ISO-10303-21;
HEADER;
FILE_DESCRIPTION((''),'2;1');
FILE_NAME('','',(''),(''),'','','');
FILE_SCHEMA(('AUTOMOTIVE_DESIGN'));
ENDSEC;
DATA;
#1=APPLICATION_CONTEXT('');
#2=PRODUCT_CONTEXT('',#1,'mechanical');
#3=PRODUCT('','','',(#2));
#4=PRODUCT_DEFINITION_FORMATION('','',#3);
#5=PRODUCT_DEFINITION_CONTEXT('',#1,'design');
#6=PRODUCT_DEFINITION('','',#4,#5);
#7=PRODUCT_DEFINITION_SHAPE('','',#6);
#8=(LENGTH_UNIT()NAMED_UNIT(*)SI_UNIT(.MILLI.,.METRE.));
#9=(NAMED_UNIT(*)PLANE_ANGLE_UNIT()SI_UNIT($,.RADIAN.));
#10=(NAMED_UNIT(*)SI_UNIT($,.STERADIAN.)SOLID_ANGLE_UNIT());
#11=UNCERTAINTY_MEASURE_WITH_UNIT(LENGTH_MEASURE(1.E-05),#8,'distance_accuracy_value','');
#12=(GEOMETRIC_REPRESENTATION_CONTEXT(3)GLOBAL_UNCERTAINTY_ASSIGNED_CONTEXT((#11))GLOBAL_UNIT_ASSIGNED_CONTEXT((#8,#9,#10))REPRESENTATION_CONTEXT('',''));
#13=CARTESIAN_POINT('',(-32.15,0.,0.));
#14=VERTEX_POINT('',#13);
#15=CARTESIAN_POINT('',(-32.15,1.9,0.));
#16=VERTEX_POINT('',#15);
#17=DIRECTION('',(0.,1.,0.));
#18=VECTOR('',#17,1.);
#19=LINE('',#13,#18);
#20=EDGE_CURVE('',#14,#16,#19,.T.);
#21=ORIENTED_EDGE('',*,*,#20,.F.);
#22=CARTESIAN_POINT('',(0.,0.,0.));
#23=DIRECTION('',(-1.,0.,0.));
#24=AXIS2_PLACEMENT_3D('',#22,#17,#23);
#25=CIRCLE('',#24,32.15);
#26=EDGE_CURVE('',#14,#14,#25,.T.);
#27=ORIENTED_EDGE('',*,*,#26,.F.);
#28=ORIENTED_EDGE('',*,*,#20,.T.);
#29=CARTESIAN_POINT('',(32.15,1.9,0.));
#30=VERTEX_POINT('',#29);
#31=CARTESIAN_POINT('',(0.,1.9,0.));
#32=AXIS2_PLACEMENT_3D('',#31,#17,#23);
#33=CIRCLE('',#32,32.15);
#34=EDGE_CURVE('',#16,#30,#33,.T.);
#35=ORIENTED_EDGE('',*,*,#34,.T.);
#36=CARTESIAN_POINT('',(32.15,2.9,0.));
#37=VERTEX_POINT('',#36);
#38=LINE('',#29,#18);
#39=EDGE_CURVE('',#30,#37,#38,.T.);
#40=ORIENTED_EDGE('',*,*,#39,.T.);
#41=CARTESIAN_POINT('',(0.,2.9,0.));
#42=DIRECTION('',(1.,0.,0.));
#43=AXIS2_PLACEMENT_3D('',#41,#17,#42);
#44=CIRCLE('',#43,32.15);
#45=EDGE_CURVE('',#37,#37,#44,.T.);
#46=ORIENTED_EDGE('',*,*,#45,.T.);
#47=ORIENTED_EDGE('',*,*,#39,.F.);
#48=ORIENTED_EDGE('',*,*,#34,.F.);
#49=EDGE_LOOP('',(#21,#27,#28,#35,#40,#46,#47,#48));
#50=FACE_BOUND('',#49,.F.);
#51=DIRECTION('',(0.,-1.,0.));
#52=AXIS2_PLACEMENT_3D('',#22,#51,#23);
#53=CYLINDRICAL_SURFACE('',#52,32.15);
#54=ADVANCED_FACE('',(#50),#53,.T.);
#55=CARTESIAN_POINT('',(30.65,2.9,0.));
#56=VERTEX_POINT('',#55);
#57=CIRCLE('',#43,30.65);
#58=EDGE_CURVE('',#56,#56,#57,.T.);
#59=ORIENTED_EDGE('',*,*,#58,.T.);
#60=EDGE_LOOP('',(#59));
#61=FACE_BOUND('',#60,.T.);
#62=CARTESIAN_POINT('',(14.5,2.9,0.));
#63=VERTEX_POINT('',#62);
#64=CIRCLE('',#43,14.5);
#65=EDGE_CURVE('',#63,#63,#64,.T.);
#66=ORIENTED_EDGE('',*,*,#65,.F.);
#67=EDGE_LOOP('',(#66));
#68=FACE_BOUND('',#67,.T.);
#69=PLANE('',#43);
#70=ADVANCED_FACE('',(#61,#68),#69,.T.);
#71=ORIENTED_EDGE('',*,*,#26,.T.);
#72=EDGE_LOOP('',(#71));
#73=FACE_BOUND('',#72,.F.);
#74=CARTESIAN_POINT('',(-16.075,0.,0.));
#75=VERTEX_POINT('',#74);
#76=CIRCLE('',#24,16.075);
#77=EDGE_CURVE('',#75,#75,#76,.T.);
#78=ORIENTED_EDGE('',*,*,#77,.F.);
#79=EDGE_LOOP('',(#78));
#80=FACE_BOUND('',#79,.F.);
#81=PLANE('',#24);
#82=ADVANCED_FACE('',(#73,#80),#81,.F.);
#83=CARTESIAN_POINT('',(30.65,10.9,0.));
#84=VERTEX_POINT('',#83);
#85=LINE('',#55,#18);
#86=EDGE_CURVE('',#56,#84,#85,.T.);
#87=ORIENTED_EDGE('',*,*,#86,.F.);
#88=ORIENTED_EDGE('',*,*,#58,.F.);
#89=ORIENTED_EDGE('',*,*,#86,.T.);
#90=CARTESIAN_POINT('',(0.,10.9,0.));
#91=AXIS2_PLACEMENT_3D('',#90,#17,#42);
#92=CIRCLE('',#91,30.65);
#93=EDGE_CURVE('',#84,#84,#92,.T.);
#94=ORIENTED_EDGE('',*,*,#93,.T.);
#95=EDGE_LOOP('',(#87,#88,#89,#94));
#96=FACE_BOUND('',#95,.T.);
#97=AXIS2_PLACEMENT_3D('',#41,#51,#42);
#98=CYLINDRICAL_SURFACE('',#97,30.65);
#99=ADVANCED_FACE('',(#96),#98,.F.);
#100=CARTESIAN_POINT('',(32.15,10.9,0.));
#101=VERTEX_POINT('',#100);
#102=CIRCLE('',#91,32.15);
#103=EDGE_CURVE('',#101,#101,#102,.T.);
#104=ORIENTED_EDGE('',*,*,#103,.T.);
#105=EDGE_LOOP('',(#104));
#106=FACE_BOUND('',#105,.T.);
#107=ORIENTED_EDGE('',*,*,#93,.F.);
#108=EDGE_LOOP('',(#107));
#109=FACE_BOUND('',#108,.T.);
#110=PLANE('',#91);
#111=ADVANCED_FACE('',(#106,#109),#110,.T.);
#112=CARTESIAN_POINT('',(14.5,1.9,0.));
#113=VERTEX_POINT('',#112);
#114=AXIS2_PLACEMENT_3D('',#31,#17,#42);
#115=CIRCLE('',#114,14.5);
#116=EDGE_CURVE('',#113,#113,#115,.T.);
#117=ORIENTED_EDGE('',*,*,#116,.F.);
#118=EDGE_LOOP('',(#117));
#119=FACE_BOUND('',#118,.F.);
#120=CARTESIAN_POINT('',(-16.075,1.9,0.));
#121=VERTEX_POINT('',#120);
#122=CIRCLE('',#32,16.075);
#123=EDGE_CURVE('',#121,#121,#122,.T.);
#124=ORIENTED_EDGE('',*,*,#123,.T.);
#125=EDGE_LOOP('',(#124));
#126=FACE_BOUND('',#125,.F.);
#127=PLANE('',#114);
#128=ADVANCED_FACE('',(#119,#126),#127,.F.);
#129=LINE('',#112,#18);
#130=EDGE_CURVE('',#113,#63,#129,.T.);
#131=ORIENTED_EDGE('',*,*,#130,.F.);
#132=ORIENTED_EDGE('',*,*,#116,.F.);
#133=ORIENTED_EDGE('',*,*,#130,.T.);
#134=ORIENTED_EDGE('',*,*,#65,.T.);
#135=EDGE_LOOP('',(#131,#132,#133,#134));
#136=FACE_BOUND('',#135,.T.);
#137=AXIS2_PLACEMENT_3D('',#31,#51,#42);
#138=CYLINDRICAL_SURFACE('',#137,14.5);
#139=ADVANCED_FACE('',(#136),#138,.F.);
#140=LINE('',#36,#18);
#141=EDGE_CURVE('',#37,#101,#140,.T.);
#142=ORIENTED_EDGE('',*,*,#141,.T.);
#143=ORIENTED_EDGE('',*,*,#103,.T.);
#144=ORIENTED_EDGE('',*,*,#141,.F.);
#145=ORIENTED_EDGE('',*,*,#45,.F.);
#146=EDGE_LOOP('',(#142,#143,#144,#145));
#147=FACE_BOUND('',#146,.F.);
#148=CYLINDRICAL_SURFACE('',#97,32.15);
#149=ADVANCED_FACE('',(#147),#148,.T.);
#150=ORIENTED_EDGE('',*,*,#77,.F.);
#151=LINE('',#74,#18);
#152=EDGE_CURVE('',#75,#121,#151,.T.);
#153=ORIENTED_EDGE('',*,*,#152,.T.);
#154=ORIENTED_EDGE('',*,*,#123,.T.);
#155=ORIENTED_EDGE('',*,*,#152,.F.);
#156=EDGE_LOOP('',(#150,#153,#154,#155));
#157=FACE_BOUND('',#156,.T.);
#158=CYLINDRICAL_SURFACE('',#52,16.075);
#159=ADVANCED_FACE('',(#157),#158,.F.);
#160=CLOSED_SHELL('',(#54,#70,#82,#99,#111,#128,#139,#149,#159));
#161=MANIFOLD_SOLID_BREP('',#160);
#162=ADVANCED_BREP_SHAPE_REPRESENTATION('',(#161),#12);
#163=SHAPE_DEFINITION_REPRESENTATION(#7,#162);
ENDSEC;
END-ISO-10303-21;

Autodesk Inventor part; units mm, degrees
ref_plane "YZ Plane" through (0, 0, 0) normal (1, 0, 0) x (0, 1, 0)
ref_plane "XZ Plane" through (0, 0, 0) normal (0, 1, 0) x (-1, 0, 0)
ref_plane "XY Plane" through (0, 0, 0) normal (0, 0, 1) x (1, 0, 0)
sketch "Sketch1" plane through (0, 0, 0) normal (0, 1, 0) x (-1, 0, 0)
  circle A0 centre (0, 0) radius 16.075
  circle A1 centre (0, 0) radius 32.15
  dimension "d0" = 32.15
  dimension "d1" = 64.3
extrude "Extrusion1" add sketch "Sketch1" along normal blind 1.9
sketch "Sketch2" plane through (0, 1.9, 0) normal (0, 1, 0) x (1, 0, 0)
  circle A0 centre (0, 0) radius 14.5
  circle A1 centre (0, 0) radius 32.15
  dimension "d4" = 29
extrude "Extrusion2" add sketch "Sketch2" along normal blind 1
sketch "Sketch3" plane through (0, 2.9, 0) normal (0, 1, 0) x (1, 0, 0)
  circle A0 centre (0, 0) radius 30.65
  circle A1 centre (0, 0) radius 32.15
  dimension "d7" = 61.3
  dimension "d10" = 64.3
extrude "Extrusion3" add sketch "Sketch3" along normal blind 8
properties part number "Widefield_LightShield_LowerRing"
